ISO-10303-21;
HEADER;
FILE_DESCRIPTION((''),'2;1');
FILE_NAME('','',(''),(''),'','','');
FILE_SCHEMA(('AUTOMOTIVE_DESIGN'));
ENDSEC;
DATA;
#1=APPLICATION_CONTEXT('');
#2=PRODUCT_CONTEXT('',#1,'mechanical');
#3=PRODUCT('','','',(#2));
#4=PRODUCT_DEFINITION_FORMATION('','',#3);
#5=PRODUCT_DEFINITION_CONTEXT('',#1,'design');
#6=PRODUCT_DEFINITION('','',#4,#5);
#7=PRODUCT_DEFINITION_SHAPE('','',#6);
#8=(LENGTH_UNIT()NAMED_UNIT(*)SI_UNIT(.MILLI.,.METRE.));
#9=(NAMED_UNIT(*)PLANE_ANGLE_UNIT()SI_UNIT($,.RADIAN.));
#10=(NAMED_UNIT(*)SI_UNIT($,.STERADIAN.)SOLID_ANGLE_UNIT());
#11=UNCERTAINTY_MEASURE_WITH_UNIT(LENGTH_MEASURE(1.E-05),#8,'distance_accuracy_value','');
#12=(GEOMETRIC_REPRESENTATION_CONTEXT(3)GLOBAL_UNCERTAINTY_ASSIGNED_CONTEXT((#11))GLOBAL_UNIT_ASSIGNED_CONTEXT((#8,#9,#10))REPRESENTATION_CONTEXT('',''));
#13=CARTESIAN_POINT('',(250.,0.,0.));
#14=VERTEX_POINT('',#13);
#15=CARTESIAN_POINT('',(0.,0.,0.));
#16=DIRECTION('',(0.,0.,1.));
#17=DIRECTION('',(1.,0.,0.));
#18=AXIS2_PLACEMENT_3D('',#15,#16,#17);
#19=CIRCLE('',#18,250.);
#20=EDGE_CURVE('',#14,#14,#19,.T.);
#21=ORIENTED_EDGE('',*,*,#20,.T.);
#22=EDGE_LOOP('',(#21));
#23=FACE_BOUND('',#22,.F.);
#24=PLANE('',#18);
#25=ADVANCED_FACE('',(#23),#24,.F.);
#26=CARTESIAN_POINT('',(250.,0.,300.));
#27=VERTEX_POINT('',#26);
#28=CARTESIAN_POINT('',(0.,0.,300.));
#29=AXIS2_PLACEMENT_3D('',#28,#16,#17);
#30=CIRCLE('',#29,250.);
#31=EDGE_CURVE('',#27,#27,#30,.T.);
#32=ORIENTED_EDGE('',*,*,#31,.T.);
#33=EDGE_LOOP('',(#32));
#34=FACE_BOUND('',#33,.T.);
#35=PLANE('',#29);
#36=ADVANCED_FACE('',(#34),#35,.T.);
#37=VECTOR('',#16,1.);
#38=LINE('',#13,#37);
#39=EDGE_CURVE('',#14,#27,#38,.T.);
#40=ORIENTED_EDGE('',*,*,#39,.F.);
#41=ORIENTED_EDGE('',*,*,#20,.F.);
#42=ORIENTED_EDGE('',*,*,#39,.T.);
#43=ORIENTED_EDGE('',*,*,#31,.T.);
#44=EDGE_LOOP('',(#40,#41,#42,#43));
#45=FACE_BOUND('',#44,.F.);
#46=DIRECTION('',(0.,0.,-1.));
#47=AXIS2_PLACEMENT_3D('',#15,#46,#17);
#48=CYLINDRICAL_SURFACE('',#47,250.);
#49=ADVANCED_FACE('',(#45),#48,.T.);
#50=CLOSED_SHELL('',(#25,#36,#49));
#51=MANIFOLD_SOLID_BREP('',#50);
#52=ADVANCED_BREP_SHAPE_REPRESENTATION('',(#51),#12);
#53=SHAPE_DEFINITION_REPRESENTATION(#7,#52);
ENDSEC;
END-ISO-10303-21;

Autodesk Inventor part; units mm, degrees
ref_plane "YZ Plane" through (0, 0, 0) normal (1, 0, 0) x (0, 1, 0)
ref_plane "XZ Plane" through (0, 0, 0) normal (0, 1, 0) x (-1, 0, 0)
ref_plane "XY Plane" through (0, 0, 0) normal (0, 0, 1) x (1, 0, 0)
sketch "Sketch1" plane through (0, 0, 0) normal (0, 0, 1) x (1, 0, 0)
  circle A0 centre (0, 0) radius 250
  dimension "d0" = 500
extrude "Extrusion1" add sketch "Sketch1" along normal blind 300
properties part number "circledoor" material "Glass"
